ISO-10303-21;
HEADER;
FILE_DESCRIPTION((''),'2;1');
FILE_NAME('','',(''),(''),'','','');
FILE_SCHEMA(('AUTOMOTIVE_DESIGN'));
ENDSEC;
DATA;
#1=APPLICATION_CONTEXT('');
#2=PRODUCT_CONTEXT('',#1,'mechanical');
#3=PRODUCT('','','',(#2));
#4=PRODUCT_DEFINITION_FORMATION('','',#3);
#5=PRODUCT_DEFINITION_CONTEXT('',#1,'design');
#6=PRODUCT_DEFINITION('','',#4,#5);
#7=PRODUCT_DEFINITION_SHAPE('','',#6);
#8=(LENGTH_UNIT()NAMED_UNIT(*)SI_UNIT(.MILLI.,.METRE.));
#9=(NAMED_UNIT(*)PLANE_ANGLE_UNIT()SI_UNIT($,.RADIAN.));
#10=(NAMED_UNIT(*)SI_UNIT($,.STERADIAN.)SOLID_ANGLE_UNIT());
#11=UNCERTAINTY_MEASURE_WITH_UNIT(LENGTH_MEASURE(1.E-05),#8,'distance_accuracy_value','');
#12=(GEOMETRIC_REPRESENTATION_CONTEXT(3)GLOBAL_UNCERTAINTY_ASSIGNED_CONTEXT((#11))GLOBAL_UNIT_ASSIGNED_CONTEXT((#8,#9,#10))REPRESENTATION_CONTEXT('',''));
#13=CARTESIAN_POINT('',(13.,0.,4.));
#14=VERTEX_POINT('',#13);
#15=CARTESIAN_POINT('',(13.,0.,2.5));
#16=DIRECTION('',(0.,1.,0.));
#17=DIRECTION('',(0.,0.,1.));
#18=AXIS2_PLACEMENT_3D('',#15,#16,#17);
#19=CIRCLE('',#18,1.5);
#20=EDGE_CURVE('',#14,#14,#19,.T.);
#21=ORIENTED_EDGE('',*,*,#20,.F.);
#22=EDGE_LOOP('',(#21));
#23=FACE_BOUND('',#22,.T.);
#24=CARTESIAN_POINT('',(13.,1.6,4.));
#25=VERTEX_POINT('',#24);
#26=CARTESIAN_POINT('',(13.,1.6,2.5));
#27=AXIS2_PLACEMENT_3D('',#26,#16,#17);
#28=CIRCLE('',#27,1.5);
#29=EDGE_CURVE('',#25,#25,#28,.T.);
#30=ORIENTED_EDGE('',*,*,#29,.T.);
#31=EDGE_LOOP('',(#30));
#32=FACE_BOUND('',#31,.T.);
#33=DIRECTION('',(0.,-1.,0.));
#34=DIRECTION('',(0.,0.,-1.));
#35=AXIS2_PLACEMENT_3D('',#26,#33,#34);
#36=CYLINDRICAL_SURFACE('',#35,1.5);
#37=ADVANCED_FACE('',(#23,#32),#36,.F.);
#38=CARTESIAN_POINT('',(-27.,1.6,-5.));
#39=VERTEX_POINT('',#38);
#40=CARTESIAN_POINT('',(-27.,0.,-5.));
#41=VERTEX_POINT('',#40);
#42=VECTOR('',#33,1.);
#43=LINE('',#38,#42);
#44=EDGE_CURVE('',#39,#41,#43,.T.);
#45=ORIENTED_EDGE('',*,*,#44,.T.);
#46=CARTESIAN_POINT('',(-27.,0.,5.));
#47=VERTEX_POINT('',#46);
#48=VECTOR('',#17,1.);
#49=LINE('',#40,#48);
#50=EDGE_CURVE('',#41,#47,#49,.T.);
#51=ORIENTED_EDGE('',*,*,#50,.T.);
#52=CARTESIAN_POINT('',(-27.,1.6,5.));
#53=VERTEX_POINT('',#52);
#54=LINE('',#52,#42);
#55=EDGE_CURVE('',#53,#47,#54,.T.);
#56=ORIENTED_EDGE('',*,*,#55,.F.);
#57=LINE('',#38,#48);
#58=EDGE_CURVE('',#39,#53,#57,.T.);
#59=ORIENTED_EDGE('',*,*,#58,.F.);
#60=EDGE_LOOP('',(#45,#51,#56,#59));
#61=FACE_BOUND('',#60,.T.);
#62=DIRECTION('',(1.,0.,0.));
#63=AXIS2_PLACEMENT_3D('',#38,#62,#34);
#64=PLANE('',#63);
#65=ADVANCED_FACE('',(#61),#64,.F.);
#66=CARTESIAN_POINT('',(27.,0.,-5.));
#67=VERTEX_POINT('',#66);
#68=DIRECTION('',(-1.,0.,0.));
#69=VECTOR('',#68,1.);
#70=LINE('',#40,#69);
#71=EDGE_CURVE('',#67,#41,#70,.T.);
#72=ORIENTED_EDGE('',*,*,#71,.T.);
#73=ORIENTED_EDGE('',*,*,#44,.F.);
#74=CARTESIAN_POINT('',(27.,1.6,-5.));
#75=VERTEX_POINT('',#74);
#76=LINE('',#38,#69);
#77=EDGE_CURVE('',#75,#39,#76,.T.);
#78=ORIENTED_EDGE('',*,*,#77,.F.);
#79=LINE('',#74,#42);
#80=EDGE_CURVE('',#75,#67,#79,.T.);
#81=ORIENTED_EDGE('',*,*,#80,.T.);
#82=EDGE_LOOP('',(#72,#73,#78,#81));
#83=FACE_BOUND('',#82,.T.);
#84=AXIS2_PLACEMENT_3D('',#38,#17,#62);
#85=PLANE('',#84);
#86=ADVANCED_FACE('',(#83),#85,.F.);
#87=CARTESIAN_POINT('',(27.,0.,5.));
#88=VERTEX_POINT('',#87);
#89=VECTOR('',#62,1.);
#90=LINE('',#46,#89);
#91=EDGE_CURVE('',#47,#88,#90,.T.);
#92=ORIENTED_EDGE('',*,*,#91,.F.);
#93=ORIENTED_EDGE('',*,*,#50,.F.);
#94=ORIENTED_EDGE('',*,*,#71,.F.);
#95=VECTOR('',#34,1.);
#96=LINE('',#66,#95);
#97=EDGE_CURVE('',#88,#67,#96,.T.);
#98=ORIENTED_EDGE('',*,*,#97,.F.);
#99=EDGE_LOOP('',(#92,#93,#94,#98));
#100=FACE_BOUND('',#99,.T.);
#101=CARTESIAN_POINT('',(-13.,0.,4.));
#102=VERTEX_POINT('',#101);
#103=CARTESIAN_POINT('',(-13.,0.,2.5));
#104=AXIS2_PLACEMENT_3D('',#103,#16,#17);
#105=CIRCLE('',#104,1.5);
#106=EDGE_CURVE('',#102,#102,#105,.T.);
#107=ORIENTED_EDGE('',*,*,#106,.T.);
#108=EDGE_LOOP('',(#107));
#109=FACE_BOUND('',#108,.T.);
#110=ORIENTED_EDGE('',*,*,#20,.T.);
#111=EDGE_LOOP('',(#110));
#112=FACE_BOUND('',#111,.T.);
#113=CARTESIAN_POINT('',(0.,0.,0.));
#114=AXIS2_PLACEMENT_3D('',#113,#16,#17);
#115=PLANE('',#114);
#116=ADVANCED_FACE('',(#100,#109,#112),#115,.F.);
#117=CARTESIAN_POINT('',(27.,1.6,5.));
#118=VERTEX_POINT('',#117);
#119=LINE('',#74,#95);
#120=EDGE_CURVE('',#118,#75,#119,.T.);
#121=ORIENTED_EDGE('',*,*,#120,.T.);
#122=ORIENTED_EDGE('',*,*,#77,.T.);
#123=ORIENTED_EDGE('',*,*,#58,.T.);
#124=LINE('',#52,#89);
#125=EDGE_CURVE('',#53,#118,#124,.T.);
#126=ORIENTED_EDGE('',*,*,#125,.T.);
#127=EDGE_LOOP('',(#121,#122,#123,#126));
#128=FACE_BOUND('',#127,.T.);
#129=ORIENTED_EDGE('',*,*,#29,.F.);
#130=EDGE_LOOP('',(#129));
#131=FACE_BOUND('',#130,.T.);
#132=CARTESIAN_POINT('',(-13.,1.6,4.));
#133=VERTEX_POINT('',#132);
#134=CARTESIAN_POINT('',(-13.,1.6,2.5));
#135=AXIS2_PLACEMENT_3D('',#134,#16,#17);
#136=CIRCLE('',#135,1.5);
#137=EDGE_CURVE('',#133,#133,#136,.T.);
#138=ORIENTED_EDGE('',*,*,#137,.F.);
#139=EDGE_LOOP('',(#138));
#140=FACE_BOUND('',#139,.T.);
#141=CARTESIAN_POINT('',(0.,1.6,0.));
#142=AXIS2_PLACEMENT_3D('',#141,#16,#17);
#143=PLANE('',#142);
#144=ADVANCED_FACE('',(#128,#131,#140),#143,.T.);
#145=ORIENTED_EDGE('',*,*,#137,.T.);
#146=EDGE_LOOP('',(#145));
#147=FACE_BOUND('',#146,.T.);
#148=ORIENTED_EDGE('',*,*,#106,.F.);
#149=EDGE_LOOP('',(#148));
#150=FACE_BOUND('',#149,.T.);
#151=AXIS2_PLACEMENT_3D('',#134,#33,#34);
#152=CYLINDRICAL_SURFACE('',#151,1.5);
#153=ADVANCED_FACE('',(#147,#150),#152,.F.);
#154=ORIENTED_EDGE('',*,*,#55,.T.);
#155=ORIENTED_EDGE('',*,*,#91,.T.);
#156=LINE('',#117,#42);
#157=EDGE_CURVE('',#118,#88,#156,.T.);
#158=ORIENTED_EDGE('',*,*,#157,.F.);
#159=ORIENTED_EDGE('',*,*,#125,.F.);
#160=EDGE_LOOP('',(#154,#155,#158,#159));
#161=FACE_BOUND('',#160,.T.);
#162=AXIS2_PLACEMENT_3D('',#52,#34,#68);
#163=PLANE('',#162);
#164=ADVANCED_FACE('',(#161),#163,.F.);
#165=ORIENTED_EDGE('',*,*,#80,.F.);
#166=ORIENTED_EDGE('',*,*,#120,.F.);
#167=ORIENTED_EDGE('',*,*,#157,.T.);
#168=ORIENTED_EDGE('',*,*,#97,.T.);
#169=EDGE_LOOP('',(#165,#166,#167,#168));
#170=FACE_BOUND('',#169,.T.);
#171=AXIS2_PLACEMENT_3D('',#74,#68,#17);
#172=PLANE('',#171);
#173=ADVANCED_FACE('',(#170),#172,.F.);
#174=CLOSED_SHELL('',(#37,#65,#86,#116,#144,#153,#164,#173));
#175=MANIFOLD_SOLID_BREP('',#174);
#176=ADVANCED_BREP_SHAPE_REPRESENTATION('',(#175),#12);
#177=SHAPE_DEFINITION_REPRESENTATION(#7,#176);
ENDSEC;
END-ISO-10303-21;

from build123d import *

# Parameters (mm, degrees)
SKETCH1_W           = 54
SKETCH1_H           = 10
SKETCH1_R           = 1.5
BOSS_EXTRUDE1_DEPTH = 1.6


with BuildPart() as part:
    # Sketch1 → Boss-Extrude1 (new body)
    with BuildSketch(Plane(origin=(0, 0, 0), x_dir=(1, 0, 0), z_dir=(0, 1, 0))):
        Rectangle(SKETCH1_W, SKETCH1_H)
        with Locations(Location((-13, -2.5, 0), (0, 0, 270))):
            Circle(SKETCH1_R, mode=Mode.SUBTRACT)
        with Locations(Location((13, -2.5, 0), (0, 0, 270))):
            Circle(SKETCH1_R, mode=Mode.SUBTRACT)
    extrude(amount=BOSS_EXTRUDE1_DEPTH)


solid = part.part
